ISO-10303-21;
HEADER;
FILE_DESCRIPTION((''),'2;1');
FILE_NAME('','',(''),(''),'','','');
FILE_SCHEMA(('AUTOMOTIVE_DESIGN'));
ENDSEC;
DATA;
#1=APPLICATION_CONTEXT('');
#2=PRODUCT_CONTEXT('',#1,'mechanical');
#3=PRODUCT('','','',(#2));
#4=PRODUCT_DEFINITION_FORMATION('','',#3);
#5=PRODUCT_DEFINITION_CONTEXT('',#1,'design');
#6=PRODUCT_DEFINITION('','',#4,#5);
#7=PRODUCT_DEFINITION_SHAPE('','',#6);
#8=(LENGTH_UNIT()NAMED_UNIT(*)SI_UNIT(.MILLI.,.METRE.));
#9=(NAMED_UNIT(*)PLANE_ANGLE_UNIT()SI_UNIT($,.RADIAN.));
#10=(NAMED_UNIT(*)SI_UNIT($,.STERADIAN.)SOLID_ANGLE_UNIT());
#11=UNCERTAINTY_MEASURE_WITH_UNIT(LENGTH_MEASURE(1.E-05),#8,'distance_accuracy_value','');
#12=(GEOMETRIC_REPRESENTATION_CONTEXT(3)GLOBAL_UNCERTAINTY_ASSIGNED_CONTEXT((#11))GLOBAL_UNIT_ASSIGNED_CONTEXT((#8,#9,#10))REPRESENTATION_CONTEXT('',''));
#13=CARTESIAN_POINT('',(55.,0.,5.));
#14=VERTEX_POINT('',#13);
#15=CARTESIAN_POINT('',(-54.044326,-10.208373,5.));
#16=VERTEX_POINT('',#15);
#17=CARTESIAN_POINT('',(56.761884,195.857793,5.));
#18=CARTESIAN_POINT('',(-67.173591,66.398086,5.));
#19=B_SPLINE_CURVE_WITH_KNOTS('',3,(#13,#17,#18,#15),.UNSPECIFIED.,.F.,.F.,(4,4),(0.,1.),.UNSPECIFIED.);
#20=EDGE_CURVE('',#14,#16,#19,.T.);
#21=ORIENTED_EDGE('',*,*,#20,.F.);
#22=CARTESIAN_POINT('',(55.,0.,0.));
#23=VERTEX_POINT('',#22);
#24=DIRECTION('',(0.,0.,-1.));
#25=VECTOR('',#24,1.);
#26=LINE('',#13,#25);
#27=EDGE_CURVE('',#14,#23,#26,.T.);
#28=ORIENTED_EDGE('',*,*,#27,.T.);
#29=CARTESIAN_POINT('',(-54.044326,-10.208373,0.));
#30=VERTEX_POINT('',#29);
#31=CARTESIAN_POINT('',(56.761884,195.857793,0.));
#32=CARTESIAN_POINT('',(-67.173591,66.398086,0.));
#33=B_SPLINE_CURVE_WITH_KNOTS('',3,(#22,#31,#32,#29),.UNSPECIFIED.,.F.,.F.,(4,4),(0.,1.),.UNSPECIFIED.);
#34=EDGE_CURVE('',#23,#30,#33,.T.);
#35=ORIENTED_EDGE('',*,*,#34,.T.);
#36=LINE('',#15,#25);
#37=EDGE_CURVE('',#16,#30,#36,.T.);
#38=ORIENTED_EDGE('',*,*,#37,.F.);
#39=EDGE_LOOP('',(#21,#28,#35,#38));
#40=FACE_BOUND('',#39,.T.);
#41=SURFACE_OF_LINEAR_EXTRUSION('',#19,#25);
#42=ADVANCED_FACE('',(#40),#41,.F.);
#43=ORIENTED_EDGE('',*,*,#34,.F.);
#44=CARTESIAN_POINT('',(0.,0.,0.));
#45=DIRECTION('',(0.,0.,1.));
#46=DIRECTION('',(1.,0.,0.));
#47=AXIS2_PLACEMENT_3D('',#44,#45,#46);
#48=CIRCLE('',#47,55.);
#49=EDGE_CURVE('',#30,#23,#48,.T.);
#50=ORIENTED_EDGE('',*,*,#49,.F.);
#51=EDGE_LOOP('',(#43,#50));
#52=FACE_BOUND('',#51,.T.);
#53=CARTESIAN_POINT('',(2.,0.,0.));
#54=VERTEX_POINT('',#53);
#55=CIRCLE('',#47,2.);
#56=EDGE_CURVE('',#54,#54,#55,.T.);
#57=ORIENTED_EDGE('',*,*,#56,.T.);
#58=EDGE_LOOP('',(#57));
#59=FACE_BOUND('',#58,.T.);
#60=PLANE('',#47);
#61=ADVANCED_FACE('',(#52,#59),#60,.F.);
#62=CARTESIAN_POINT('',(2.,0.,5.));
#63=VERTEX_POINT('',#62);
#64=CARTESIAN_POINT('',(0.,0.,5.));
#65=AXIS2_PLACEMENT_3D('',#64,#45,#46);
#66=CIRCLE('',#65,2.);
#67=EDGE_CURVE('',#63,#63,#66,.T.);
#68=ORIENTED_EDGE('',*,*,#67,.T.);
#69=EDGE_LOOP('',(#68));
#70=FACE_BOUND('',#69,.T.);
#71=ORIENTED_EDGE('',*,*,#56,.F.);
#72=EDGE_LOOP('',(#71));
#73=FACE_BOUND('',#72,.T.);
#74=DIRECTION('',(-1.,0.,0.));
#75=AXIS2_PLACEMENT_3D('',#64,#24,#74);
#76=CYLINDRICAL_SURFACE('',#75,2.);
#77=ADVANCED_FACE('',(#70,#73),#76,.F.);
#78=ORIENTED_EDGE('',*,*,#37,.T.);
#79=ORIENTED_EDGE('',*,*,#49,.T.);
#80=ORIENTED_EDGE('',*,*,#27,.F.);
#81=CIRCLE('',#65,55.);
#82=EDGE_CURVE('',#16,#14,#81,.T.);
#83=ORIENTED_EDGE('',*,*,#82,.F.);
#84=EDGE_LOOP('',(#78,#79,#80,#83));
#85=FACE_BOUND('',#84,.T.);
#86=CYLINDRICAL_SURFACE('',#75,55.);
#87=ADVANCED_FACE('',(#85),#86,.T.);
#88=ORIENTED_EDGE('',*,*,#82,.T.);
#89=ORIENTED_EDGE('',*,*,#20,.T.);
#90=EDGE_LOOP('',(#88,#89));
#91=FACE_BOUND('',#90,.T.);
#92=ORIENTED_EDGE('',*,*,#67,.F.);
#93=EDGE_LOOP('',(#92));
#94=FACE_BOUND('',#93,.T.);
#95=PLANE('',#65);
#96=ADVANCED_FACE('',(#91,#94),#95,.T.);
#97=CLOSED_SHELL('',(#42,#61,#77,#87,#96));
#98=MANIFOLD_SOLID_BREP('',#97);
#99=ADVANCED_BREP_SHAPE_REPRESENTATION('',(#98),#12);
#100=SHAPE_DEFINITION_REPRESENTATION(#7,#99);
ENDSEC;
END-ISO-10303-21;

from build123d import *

# Parameters (mm, degrees)
SKETCH1_R           = 2
BOSS_EXTRUDE1_DEPTH = 5


with BuildPart() as part:
    # Sketch1 → Boss-Extrude1 (new body)
    with BuildSketch(Plane.XY):
        with BuildLine():
            ThreePointArc((-54.044325591, -10.208372612), (5.12650429, -54.760560203), (55, 0))
            add(Edge.make_bspline(
                [(55, 0), (56.761883758, 195.857792895), (-67.173590813, 66.398085784), (-54.044325591, -10.208372612)],
                knots=[0, 0, 0, 0, 1, 1, 1, 1], degree=3))
        make_face()
        Circle(SKETCH1_R, mode=Mode.SUBTRACT)
    extrude(amount=BOSS_EXTRUDE1_DEPTH)


solid = part.part
